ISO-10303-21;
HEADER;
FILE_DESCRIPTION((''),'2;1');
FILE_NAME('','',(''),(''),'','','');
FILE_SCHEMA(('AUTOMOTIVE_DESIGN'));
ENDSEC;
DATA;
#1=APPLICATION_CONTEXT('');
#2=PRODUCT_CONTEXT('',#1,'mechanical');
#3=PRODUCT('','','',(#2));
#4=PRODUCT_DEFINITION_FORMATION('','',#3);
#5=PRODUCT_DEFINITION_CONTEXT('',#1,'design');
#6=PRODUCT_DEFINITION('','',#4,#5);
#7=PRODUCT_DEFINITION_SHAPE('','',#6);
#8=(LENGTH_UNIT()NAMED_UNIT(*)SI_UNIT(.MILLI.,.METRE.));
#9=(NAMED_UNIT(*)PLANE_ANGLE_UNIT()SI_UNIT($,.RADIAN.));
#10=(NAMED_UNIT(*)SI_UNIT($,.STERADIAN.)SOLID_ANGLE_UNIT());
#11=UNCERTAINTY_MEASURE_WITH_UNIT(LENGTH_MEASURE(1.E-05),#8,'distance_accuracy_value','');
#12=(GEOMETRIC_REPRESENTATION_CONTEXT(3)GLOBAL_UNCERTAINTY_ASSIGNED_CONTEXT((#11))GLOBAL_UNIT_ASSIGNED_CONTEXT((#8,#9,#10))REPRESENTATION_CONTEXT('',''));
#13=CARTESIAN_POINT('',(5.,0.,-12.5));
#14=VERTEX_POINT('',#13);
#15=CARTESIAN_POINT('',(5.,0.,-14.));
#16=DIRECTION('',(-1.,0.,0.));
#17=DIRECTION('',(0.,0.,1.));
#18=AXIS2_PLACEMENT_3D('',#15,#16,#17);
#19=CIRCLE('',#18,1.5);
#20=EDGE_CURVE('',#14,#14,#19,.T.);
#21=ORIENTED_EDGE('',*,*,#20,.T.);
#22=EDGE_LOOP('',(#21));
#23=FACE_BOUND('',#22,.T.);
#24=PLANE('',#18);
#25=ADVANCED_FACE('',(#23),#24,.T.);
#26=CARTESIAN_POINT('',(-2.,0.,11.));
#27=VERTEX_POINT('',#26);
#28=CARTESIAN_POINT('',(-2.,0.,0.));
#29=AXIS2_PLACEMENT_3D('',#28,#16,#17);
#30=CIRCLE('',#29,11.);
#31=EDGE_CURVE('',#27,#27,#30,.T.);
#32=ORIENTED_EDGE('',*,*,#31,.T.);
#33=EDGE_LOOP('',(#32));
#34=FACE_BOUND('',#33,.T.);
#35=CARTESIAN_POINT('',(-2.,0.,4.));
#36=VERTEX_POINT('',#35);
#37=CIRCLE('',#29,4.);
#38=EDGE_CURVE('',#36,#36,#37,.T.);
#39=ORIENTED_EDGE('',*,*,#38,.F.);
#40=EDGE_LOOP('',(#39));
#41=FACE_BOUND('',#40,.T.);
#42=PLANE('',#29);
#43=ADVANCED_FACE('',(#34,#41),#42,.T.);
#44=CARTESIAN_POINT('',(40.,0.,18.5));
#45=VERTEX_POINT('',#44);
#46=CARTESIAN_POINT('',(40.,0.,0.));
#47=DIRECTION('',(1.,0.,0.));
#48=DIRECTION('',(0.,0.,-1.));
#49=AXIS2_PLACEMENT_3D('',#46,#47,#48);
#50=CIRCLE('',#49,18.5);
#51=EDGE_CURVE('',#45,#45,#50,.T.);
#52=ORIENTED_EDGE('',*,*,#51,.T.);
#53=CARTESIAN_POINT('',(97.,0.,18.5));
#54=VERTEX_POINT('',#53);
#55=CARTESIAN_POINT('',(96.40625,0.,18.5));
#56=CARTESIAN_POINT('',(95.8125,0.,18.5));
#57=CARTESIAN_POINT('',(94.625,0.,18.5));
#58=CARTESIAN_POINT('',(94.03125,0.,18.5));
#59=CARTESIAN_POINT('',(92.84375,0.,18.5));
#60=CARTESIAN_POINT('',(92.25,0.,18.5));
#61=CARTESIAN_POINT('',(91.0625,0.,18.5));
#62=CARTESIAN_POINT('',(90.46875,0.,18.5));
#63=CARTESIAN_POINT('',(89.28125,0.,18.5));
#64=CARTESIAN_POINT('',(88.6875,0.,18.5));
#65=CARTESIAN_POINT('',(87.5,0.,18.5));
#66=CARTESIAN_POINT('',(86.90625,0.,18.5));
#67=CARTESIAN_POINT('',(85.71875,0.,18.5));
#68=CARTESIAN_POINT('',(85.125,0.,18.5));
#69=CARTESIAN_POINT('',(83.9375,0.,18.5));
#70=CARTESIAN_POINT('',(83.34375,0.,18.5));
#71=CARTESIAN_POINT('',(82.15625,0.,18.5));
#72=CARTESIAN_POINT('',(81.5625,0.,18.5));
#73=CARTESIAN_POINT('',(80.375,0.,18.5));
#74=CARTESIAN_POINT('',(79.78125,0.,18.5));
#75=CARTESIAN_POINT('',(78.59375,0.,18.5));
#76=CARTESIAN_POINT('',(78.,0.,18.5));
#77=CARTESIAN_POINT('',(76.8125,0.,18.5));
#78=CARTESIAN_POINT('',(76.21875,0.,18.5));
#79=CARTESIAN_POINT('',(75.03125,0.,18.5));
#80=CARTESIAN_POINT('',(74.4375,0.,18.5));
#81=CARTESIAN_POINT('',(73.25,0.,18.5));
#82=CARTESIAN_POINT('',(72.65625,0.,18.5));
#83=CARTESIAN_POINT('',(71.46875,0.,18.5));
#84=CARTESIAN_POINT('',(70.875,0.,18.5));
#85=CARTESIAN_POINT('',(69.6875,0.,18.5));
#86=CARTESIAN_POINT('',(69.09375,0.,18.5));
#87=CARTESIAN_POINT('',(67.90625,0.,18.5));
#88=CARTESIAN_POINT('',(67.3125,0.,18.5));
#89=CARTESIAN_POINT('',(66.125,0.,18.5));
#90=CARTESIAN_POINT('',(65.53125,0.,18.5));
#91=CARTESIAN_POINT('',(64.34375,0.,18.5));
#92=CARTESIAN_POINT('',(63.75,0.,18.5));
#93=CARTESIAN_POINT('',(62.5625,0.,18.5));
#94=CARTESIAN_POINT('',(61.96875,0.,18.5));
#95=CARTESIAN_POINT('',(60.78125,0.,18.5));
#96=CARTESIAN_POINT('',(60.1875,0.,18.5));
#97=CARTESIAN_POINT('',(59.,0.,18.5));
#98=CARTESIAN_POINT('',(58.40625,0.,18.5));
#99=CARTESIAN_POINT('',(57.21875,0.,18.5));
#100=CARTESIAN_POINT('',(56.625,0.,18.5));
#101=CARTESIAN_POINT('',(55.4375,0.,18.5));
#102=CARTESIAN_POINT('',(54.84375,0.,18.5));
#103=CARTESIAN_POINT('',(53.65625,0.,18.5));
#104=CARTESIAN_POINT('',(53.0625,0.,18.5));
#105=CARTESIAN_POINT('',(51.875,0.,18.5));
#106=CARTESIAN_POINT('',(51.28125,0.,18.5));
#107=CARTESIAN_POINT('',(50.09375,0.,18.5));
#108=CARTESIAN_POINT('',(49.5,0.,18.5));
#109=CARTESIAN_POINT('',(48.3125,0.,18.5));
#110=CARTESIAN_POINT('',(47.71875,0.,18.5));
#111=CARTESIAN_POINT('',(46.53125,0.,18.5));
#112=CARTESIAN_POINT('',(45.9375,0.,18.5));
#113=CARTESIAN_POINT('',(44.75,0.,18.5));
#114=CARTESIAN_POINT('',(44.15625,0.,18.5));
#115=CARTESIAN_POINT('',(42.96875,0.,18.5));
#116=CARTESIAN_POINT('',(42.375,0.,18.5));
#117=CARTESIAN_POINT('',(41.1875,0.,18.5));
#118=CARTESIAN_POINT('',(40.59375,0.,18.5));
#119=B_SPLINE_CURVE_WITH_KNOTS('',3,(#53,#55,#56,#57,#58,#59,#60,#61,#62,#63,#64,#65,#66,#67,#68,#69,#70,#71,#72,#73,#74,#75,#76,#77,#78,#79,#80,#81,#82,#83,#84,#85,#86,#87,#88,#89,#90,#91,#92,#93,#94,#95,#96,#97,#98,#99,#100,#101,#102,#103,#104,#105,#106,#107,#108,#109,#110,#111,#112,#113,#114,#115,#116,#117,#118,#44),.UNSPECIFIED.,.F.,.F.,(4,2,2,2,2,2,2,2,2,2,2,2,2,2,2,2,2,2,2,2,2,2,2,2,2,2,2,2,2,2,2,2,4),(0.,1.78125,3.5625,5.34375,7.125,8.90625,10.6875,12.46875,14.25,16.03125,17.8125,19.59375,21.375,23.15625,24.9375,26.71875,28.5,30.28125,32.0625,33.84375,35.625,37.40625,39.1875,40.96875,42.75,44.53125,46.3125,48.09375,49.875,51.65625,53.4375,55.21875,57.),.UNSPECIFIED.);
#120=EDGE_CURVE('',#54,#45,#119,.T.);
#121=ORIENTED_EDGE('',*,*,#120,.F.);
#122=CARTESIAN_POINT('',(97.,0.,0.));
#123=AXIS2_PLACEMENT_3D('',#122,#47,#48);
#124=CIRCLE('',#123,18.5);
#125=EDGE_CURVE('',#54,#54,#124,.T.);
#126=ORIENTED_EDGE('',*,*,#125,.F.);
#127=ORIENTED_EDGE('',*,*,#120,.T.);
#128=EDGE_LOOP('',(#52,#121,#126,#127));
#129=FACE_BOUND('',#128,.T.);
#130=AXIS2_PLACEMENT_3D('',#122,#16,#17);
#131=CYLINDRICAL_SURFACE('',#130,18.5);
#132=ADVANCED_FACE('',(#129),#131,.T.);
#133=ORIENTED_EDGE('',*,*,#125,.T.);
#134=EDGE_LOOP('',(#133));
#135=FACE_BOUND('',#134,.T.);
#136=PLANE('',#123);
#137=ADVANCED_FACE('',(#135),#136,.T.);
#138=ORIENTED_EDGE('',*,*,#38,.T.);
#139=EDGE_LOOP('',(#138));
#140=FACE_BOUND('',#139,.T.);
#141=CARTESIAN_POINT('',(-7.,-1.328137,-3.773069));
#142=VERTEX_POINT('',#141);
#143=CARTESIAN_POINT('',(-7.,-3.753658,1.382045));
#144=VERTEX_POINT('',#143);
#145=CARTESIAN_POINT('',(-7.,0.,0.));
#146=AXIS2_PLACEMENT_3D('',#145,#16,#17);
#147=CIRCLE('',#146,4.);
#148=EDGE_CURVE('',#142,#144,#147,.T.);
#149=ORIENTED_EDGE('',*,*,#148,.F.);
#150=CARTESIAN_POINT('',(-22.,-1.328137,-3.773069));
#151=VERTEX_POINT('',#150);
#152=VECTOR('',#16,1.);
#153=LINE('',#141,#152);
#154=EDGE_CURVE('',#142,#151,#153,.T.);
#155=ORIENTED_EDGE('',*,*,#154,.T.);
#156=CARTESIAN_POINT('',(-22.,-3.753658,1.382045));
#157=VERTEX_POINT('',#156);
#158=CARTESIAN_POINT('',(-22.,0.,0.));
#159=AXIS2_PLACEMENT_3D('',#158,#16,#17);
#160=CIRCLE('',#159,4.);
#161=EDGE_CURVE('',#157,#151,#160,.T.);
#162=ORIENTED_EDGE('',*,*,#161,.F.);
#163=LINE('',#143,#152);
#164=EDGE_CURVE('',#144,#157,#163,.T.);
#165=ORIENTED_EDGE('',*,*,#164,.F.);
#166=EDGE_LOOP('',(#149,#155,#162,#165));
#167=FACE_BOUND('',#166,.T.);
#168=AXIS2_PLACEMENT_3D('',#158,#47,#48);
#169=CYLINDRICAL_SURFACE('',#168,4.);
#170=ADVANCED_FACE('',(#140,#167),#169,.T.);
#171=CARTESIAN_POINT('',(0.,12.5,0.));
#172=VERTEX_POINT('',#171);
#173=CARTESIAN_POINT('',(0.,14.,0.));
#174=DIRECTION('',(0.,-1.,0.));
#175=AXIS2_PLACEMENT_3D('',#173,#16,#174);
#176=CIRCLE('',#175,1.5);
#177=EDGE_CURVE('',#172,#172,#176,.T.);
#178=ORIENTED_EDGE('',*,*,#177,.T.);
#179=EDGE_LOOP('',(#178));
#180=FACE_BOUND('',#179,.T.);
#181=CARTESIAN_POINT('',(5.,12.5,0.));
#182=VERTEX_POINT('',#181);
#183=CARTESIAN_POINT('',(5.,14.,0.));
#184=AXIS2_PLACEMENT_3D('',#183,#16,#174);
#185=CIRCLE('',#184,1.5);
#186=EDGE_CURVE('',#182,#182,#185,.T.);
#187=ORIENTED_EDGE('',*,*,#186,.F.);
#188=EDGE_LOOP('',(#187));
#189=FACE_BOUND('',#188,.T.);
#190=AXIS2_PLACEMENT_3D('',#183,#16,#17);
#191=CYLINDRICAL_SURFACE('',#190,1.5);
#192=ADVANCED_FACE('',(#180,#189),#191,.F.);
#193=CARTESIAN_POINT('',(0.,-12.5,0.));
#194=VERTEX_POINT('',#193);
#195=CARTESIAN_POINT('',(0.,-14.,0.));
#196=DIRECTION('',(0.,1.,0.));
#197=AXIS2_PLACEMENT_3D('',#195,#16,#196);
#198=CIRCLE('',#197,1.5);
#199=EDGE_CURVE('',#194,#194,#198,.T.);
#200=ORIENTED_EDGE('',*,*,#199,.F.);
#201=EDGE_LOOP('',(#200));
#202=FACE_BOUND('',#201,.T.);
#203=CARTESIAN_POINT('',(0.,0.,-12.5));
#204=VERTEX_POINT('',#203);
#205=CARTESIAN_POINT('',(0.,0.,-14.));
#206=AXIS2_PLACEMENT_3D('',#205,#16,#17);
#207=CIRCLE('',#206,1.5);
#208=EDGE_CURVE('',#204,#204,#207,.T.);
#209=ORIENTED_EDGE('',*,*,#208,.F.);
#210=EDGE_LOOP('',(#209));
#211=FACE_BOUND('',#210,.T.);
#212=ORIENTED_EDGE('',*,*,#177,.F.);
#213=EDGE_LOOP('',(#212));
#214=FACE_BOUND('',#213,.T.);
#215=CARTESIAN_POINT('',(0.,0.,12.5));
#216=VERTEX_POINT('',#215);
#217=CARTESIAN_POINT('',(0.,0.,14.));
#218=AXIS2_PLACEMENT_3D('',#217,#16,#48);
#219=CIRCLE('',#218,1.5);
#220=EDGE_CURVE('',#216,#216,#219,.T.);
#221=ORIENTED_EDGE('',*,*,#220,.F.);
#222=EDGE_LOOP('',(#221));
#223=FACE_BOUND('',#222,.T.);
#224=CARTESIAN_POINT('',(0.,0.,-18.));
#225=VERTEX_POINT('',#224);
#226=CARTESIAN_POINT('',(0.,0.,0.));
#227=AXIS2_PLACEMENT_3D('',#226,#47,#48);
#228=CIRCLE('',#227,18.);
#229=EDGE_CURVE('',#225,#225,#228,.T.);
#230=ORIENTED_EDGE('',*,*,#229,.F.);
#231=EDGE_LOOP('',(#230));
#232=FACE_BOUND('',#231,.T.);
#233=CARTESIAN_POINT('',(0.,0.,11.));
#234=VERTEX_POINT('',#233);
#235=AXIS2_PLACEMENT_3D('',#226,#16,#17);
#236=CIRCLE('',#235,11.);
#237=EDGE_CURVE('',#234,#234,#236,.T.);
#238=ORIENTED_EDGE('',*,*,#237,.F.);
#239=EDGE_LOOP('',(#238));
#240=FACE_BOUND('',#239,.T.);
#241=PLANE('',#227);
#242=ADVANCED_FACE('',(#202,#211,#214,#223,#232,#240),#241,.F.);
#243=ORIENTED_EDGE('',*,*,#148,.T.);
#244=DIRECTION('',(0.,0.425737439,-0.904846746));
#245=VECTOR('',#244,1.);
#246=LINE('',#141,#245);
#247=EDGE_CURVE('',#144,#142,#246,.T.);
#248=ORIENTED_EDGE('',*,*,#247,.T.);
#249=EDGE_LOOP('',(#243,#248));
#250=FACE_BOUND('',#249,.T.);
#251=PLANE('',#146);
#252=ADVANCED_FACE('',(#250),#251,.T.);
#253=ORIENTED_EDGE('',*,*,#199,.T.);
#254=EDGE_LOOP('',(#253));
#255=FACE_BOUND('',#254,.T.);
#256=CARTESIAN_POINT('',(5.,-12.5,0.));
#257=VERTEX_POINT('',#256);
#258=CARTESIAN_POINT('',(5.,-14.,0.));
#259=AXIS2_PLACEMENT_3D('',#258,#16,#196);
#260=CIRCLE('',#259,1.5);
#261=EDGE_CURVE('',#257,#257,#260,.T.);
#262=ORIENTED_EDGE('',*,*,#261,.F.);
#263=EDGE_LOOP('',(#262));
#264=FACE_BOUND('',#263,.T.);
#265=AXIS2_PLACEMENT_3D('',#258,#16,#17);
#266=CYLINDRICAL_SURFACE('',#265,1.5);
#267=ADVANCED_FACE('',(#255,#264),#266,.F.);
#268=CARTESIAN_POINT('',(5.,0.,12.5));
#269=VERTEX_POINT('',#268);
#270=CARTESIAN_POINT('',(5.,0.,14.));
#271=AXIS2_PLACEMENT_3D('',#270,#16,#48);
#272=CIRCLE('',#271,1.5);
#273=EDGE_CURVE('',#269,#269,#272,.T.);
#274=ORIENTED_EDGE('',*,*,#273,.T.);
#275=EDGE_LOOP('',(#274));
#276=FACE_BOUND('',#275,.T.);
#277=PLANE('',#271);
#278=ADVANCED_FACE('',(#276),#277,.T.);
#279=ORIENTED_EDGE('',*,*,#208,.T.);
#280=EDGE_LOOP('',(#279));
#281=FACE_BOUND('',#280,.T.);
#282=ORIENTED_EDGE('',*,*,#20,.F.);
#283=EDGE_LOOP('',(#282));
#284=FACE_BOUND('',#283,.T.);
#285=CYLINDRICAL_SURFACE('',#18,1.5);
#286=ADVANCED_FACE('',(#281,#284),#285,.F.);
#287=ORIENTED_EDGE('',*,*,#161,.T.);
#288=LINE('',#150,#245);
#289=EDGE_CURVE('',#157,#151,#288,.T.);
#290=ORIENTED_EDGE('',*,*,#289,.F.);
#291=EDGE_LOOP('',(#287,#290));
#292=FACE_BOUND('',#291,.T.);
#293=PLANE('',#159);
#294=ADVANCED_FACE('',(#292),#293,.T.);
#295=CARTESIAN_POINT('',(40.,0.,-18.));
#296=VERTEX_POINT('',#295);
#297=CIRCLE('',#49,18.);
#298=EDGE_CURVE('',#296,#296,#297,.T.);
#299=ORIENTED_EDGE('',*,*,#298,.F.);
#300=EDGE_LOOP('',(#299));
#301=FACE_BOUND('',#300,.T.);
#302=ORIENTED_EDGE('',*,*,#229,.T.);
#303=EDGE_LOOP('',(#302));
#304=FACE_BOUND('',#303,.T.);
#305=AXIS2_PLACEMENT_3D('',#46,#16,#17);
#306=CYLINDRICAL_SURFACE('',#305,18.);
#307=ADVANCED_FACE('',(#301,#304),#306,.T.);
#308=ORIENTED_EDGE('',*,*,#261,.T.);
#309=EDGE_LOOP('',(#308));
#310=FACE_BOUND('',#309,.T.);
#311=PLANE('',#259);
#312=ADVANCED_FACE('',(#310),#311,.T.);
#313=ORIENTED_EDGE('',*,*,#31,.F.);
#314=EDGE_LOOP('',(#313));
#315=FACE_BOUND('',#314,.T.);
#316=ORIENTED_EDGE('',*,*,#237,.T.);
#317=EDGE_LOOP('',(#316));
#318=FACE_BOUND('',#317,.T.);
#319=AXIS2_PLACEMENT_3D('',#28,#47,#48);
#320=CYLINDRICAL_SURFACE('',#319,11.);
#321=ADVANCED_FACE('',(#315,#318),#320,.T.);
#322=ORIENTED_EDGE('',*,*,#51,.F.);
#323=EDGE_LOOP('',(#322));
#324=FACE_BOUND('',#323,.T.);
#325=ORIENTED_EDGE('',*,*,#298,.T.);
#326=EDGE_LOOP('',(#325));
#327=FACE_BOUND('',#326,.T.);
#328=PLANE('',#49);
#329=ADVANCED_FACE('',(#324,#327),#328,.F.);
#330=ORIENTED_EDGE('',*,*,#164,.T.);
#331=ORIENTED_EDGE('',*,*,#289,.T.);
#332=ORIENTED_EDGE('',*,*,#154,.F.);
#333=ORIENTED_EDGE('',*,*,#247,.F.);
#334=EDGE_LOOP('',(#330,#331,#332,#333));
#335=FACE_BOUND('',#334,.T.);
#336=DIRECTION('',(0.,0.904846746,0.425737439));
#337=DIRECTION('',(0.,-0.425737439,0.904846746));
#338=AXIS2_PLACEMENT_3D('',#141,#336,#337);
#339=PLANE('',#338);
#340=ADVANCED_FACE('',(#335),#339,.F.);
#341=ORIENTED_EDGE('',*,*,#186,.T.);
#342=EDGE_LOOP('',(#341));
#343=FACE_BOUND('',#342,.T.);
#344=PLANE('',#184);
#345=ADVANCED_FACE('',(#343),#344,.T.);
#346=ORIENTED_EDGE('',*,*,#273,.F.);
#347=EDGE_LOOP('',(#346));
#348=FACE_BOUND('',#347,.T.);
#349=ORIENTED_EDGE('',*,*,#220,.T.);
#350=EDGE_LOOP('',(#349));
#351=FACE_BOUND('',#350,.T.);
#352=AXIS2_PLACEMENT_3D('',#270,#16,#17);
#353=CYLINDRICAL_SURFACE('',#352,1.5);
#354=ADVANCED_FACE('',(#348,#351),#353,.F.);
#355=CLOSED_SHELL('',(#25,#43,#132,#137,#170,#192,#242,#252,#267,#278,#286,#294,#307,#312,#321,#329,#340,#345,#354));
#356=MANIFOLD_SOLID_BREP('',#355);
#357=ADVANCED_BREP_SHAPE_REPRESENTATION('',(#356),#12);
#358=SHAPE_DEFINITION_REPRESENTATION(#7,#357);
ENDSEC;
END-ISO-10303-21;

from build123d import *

# Parameters (mm, degrees)
SKETCH_1_R               = 18
EXTRUDE_1_DEPTH          = 40
SKETCH_2_R               = 11
EXTRUDE_2_DEPTH          = 2
SKETCH_3_R               = 4
EXTRUDE_3_DEPTH          = 20
SKETCH_4_R               = 1.5
CUT_EXTRUDE_1_DEPTH      = 5
PATTERN_CIRCULAR_1_COUNT = 4
CUT_EXTRUDE_START        = -15
CUT_EXTRUDE_2_DEPTH      = 15
SKETCH_6_R               = 18.5
EXTRUDE_4_DEPTH          = 57


with BuildPart() as part:
    # 草图1 → 凸台-拉伸1 (new body)
    with BuildSketch(Plane(origin=(0, 0, 0), x_dir=(0, 0, -1), z_dir=(1, 0, 0))):
        Circle(SKETCH_1_R)
    extrude(amount=EXTRUDE_1_DEPTH)

    # 草图2 → 凸台-拉伸2 (add)
    with BuildSketch(Plane.ZY):
        Circle(SKETCH_2_R)
    extrude(amount=EXTRUDE_2_DEPTH)

    # 草图3 → 凸台-拉伸3 (add)
    with BuildSketch(Plane.ZY.offset(2)):
        Circle(SKETCH_3_R)
    extrude(amount=EXTRUDE_3_DEPTH)

    # 草图4 → 切除-拉伸1 (cut)
    with BuildSketch(Plane.ZY):
        with Locations((-14, 0)):
            Circle(SKETCH_4_R)
    cut_extrude_1 = extrude(amount=-CUT_EXTRUDE_1_DEPTH, mode=Mode.SUBTRACT)

    # 阵列(圆周)1: 切除-拉伸1 ×4 about axis
    pattern_circular_1_axis = Axis((0, 0, 0), (1, 0, 0))
    for i in range(1, PATTERN_CIRCULAR_1_COUNT):
        add(cut_extrude_1.rotate(pattern_circular_1_axis, i * 360 / PATTERN_CIRCULAR_1_COUNT), mode=Mode.SUBTRACT)

    # 草图5 → 切除-拉伸2 (cut)
    with BuildSketch(Plane.ZY.offset(22).offset(CUT_EXTRUDE_START)):
        with BuildLine():
            Line((-3.773069257, -1.328137186), (1.382044823, -3.753658496))
            ThreePointArc((1.382044823, -3.753658496), (-1.702949755, -3.619386983), (-3.773069257, -1.328137186))
        make_face()
    extrude(amount=CUT_EXTRUDE_2_DEPTH, mode=Mode.SUBTRACT)

    # 草图6 → 凸台-拉伸4 (add)
    with BuildSketch(Plane(origin=(40, 0, 0), x_dir=(0, 0, -1), z_dir=(1, 0, 0))):
        with Locations(Location((0, 0, 0), (0, 0, 180))):
            Circle(SKETCH_6_R)
    extrude(amount=EXTRUDE_4_DEPTH)


solid = part.part
